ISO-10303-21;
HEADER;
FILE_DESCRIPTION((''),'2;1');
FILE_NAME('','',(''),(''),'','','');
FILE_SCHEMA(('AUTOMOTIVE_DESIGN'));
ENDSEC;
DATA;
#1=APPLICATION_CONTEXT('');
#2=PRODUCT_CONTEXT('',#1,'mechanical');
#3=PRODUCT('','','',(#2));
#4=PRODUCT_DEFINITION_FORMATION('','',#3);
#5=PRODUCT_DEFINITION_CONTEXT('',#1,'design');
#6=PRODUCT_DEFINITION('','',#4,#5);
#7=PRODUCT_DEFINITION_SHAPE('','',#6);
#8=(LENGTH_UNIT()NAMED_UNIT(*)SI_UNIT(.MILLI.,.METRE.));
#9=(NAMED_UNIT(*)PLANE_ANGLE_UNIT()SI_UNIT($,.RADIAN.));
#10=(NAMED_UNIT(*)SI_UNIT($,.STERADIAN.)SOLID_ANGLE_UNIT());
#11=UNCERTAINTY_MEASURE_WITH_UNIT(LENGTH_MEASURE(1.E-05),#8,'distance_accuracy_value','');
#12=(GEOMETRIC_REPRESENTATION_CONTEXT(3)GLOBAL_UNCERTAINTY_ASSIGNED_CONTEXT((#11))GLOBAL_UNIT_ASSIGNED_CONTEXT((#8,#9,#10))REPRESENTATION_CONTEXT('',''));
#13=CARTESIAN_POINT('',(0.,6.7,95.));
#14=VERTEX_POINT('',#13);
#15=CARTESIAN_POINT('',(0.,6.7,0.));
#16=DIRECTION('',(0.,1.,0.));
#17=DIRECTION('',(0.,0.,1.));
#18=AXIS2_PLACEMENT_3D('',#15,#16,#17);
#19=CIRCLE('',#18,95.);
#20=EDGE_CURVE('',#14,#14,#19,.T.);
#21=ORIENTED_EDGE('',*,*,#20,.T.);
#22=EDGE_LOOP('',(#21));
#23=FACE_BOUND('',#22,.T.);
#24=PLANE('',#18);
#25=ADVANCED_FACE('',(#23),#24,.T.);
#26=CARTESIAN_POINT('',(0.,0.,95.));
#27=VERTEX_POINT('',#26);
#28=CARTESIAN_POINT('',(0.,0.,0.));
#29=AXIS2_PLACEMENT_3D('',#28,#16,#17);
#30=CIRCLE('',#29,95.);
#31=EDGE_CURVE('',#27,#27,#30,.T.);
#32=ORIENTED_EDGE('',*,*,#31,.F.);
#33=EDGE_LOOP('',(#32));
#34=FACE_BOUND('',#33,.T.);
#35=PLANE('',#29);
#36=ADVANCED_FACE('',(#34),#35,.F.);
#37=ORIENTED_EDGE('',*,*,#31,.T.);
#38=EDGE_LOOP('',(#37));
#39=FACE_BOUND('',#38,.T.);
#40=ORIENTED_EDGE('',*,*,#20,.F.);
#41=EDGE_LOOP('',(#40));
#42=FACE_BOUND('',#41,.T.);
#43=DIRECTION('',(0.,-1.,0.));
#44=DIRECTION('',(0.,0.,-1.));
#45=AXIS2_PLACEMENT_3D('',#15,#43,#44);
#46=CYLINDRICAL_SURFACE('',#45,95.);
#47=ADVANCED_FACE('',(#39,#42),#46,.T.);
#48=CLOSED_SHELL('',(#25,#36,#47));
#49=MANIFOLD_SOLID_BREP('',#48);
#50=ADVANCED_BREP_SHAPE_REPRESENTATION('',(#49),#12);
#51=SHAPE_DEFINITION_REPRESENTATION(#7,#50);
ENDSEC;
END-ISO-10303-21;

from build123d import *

# Parameters (mm, degrees)
SKETCH1_R           = 95
BOSS_EXTRUDE1_DEPTH = 6.7


with BuildPart() as part:
    # Sketch1 → Boss-Extrude1 (new body)
    with BuildSketch(Plane(origin=(0, 0, 0), x_dir=(1, 0, 0), z_dir=(0, 1, 0))):
        with Locations(Location((0, 0, 0), (0, 0, 270))):
            Circle(SKETCH1_R)
    extrude(amount=BOSS_EXTRUDE1_DEPTH)


solid = part.part
